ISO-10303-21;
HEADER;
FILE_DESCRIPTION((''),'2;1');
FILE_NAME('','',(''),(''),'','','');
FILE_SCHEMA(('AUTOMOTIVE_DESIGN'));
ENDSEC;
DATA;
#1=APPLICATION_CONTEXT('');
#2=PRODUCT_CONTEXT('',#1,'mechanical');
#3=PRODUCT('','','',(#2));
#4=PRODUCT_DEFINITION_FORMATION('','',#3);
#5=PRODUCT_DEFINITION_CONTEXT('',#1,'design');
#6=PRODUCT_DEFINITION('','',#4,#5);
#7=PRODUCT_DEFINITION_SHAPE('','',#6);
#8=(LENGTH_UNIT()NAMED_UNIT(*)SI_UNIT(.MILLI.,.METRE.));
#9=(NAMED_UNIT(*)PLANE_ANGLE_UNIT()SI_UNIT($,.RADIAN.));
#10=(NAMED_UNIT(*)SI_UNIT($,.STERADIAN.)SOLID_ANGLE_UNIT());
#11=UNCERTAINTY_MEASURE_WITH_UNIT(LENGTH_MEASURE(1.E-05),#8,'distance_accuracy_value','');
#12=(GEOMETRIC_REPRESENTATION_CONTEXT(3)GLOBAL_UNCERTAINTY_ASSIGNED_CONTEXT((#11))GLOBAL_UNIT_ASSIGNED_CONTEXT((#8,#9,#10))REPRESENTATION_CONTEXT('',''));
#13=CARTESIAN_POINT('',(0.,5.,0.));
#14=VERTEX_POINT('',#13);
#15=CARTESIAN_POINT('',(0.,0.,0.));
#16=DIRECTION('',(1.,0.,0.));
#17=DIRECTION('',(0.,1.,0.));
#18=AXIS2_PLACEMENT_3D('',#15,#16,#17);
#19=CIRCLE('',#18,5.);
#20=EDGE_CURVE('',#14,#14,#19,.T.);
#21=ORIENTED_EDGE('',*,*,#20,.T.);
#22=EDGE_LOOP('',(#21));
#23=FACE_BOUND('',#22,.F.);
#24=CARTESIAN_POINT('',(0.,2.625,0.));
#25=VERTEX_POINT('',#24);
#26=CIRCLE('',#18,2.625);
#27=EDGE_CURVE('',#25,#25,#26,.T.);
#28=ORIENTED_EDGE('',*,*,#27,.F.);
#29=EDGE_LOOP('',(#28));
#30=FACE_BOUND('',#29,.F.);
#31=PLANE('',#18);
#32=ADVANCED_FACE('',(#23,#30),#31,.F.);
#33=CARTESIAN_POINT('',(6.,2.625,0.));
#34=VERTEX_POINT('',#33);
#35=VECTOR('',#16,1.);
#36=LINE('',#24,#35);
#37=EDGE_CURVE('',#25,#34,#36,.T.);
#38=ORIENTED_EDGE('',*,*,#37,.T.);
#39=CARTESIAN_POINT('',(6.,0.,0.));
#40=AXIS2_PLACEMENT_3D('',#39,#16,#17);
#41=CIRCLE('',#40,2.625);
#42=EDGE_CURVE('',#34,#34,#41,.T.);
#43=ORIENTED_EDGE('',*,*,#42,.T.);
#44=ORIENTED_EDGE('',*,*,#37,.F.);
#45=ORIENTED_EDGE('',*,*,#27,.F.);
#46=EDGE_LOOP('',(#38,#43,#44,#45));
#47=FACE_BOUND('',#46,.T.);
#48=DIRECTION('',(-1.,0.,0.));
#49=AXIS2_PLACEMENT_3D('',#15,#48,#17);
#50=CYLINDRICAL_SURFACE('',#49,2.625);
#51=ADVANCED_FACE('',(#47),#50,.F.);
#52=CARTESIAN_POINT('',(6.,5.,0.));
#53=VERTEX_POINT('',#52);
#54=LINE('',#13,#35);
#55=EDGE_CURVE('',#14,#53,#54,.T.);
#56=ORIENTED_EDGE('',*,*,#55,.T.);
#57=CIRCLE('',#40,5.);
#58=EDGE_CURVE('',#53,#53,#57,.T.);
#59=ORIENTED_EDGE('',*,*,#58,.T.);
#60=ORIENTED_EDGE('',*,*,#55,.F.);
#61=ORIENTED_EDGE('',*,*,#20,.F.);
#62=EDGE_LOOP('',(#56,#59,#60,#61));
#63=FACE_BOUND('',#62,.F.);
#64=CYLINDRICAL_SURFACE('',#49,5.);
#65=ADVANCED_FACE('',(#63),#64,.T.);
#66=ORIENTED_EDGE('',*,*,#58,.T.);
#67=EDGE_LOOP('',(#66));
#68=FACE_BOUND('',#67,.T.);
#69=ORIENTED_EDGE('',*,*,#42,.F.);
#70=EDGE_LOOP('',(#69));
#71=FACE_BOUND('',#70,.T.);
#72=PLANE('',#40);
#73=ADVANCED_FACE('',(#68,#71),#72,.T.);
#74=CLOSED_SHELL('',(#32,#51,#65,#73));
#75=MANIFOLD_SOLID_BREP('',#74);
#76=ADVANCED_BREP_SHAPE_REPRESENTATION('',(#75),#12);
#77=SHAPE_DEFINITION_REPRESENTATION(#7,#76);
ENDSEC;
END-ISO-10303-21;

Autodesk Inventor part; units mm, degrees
ref_plane "YZ Plane" through (0, 0, 0) normal (1, 0, 0) x (0, 1, 0)
ref_plane "XZ Plane" through (0, 0, 0) normal (0, 1, 0) x (-1, 0, 0)
ref_plane "XY Plane" through (0, 0, 0) normal (0, 0, 1) x (1, 0, 0)
sketch "Sketch1" plane through (0, 0, 0) normal (1, 0, 0) x (0, 1, 0)
  circle A0 centre (0, 0) radius 2.625
  circle A1 centre (0, 0) radius 5
  dimension "d0" = 5.25
  dimension "d1" = 10
extrude "Extrusion1" add sketch "Sketch1" along normal blind 6
properties part number "Spacer_5mm_6mm"
